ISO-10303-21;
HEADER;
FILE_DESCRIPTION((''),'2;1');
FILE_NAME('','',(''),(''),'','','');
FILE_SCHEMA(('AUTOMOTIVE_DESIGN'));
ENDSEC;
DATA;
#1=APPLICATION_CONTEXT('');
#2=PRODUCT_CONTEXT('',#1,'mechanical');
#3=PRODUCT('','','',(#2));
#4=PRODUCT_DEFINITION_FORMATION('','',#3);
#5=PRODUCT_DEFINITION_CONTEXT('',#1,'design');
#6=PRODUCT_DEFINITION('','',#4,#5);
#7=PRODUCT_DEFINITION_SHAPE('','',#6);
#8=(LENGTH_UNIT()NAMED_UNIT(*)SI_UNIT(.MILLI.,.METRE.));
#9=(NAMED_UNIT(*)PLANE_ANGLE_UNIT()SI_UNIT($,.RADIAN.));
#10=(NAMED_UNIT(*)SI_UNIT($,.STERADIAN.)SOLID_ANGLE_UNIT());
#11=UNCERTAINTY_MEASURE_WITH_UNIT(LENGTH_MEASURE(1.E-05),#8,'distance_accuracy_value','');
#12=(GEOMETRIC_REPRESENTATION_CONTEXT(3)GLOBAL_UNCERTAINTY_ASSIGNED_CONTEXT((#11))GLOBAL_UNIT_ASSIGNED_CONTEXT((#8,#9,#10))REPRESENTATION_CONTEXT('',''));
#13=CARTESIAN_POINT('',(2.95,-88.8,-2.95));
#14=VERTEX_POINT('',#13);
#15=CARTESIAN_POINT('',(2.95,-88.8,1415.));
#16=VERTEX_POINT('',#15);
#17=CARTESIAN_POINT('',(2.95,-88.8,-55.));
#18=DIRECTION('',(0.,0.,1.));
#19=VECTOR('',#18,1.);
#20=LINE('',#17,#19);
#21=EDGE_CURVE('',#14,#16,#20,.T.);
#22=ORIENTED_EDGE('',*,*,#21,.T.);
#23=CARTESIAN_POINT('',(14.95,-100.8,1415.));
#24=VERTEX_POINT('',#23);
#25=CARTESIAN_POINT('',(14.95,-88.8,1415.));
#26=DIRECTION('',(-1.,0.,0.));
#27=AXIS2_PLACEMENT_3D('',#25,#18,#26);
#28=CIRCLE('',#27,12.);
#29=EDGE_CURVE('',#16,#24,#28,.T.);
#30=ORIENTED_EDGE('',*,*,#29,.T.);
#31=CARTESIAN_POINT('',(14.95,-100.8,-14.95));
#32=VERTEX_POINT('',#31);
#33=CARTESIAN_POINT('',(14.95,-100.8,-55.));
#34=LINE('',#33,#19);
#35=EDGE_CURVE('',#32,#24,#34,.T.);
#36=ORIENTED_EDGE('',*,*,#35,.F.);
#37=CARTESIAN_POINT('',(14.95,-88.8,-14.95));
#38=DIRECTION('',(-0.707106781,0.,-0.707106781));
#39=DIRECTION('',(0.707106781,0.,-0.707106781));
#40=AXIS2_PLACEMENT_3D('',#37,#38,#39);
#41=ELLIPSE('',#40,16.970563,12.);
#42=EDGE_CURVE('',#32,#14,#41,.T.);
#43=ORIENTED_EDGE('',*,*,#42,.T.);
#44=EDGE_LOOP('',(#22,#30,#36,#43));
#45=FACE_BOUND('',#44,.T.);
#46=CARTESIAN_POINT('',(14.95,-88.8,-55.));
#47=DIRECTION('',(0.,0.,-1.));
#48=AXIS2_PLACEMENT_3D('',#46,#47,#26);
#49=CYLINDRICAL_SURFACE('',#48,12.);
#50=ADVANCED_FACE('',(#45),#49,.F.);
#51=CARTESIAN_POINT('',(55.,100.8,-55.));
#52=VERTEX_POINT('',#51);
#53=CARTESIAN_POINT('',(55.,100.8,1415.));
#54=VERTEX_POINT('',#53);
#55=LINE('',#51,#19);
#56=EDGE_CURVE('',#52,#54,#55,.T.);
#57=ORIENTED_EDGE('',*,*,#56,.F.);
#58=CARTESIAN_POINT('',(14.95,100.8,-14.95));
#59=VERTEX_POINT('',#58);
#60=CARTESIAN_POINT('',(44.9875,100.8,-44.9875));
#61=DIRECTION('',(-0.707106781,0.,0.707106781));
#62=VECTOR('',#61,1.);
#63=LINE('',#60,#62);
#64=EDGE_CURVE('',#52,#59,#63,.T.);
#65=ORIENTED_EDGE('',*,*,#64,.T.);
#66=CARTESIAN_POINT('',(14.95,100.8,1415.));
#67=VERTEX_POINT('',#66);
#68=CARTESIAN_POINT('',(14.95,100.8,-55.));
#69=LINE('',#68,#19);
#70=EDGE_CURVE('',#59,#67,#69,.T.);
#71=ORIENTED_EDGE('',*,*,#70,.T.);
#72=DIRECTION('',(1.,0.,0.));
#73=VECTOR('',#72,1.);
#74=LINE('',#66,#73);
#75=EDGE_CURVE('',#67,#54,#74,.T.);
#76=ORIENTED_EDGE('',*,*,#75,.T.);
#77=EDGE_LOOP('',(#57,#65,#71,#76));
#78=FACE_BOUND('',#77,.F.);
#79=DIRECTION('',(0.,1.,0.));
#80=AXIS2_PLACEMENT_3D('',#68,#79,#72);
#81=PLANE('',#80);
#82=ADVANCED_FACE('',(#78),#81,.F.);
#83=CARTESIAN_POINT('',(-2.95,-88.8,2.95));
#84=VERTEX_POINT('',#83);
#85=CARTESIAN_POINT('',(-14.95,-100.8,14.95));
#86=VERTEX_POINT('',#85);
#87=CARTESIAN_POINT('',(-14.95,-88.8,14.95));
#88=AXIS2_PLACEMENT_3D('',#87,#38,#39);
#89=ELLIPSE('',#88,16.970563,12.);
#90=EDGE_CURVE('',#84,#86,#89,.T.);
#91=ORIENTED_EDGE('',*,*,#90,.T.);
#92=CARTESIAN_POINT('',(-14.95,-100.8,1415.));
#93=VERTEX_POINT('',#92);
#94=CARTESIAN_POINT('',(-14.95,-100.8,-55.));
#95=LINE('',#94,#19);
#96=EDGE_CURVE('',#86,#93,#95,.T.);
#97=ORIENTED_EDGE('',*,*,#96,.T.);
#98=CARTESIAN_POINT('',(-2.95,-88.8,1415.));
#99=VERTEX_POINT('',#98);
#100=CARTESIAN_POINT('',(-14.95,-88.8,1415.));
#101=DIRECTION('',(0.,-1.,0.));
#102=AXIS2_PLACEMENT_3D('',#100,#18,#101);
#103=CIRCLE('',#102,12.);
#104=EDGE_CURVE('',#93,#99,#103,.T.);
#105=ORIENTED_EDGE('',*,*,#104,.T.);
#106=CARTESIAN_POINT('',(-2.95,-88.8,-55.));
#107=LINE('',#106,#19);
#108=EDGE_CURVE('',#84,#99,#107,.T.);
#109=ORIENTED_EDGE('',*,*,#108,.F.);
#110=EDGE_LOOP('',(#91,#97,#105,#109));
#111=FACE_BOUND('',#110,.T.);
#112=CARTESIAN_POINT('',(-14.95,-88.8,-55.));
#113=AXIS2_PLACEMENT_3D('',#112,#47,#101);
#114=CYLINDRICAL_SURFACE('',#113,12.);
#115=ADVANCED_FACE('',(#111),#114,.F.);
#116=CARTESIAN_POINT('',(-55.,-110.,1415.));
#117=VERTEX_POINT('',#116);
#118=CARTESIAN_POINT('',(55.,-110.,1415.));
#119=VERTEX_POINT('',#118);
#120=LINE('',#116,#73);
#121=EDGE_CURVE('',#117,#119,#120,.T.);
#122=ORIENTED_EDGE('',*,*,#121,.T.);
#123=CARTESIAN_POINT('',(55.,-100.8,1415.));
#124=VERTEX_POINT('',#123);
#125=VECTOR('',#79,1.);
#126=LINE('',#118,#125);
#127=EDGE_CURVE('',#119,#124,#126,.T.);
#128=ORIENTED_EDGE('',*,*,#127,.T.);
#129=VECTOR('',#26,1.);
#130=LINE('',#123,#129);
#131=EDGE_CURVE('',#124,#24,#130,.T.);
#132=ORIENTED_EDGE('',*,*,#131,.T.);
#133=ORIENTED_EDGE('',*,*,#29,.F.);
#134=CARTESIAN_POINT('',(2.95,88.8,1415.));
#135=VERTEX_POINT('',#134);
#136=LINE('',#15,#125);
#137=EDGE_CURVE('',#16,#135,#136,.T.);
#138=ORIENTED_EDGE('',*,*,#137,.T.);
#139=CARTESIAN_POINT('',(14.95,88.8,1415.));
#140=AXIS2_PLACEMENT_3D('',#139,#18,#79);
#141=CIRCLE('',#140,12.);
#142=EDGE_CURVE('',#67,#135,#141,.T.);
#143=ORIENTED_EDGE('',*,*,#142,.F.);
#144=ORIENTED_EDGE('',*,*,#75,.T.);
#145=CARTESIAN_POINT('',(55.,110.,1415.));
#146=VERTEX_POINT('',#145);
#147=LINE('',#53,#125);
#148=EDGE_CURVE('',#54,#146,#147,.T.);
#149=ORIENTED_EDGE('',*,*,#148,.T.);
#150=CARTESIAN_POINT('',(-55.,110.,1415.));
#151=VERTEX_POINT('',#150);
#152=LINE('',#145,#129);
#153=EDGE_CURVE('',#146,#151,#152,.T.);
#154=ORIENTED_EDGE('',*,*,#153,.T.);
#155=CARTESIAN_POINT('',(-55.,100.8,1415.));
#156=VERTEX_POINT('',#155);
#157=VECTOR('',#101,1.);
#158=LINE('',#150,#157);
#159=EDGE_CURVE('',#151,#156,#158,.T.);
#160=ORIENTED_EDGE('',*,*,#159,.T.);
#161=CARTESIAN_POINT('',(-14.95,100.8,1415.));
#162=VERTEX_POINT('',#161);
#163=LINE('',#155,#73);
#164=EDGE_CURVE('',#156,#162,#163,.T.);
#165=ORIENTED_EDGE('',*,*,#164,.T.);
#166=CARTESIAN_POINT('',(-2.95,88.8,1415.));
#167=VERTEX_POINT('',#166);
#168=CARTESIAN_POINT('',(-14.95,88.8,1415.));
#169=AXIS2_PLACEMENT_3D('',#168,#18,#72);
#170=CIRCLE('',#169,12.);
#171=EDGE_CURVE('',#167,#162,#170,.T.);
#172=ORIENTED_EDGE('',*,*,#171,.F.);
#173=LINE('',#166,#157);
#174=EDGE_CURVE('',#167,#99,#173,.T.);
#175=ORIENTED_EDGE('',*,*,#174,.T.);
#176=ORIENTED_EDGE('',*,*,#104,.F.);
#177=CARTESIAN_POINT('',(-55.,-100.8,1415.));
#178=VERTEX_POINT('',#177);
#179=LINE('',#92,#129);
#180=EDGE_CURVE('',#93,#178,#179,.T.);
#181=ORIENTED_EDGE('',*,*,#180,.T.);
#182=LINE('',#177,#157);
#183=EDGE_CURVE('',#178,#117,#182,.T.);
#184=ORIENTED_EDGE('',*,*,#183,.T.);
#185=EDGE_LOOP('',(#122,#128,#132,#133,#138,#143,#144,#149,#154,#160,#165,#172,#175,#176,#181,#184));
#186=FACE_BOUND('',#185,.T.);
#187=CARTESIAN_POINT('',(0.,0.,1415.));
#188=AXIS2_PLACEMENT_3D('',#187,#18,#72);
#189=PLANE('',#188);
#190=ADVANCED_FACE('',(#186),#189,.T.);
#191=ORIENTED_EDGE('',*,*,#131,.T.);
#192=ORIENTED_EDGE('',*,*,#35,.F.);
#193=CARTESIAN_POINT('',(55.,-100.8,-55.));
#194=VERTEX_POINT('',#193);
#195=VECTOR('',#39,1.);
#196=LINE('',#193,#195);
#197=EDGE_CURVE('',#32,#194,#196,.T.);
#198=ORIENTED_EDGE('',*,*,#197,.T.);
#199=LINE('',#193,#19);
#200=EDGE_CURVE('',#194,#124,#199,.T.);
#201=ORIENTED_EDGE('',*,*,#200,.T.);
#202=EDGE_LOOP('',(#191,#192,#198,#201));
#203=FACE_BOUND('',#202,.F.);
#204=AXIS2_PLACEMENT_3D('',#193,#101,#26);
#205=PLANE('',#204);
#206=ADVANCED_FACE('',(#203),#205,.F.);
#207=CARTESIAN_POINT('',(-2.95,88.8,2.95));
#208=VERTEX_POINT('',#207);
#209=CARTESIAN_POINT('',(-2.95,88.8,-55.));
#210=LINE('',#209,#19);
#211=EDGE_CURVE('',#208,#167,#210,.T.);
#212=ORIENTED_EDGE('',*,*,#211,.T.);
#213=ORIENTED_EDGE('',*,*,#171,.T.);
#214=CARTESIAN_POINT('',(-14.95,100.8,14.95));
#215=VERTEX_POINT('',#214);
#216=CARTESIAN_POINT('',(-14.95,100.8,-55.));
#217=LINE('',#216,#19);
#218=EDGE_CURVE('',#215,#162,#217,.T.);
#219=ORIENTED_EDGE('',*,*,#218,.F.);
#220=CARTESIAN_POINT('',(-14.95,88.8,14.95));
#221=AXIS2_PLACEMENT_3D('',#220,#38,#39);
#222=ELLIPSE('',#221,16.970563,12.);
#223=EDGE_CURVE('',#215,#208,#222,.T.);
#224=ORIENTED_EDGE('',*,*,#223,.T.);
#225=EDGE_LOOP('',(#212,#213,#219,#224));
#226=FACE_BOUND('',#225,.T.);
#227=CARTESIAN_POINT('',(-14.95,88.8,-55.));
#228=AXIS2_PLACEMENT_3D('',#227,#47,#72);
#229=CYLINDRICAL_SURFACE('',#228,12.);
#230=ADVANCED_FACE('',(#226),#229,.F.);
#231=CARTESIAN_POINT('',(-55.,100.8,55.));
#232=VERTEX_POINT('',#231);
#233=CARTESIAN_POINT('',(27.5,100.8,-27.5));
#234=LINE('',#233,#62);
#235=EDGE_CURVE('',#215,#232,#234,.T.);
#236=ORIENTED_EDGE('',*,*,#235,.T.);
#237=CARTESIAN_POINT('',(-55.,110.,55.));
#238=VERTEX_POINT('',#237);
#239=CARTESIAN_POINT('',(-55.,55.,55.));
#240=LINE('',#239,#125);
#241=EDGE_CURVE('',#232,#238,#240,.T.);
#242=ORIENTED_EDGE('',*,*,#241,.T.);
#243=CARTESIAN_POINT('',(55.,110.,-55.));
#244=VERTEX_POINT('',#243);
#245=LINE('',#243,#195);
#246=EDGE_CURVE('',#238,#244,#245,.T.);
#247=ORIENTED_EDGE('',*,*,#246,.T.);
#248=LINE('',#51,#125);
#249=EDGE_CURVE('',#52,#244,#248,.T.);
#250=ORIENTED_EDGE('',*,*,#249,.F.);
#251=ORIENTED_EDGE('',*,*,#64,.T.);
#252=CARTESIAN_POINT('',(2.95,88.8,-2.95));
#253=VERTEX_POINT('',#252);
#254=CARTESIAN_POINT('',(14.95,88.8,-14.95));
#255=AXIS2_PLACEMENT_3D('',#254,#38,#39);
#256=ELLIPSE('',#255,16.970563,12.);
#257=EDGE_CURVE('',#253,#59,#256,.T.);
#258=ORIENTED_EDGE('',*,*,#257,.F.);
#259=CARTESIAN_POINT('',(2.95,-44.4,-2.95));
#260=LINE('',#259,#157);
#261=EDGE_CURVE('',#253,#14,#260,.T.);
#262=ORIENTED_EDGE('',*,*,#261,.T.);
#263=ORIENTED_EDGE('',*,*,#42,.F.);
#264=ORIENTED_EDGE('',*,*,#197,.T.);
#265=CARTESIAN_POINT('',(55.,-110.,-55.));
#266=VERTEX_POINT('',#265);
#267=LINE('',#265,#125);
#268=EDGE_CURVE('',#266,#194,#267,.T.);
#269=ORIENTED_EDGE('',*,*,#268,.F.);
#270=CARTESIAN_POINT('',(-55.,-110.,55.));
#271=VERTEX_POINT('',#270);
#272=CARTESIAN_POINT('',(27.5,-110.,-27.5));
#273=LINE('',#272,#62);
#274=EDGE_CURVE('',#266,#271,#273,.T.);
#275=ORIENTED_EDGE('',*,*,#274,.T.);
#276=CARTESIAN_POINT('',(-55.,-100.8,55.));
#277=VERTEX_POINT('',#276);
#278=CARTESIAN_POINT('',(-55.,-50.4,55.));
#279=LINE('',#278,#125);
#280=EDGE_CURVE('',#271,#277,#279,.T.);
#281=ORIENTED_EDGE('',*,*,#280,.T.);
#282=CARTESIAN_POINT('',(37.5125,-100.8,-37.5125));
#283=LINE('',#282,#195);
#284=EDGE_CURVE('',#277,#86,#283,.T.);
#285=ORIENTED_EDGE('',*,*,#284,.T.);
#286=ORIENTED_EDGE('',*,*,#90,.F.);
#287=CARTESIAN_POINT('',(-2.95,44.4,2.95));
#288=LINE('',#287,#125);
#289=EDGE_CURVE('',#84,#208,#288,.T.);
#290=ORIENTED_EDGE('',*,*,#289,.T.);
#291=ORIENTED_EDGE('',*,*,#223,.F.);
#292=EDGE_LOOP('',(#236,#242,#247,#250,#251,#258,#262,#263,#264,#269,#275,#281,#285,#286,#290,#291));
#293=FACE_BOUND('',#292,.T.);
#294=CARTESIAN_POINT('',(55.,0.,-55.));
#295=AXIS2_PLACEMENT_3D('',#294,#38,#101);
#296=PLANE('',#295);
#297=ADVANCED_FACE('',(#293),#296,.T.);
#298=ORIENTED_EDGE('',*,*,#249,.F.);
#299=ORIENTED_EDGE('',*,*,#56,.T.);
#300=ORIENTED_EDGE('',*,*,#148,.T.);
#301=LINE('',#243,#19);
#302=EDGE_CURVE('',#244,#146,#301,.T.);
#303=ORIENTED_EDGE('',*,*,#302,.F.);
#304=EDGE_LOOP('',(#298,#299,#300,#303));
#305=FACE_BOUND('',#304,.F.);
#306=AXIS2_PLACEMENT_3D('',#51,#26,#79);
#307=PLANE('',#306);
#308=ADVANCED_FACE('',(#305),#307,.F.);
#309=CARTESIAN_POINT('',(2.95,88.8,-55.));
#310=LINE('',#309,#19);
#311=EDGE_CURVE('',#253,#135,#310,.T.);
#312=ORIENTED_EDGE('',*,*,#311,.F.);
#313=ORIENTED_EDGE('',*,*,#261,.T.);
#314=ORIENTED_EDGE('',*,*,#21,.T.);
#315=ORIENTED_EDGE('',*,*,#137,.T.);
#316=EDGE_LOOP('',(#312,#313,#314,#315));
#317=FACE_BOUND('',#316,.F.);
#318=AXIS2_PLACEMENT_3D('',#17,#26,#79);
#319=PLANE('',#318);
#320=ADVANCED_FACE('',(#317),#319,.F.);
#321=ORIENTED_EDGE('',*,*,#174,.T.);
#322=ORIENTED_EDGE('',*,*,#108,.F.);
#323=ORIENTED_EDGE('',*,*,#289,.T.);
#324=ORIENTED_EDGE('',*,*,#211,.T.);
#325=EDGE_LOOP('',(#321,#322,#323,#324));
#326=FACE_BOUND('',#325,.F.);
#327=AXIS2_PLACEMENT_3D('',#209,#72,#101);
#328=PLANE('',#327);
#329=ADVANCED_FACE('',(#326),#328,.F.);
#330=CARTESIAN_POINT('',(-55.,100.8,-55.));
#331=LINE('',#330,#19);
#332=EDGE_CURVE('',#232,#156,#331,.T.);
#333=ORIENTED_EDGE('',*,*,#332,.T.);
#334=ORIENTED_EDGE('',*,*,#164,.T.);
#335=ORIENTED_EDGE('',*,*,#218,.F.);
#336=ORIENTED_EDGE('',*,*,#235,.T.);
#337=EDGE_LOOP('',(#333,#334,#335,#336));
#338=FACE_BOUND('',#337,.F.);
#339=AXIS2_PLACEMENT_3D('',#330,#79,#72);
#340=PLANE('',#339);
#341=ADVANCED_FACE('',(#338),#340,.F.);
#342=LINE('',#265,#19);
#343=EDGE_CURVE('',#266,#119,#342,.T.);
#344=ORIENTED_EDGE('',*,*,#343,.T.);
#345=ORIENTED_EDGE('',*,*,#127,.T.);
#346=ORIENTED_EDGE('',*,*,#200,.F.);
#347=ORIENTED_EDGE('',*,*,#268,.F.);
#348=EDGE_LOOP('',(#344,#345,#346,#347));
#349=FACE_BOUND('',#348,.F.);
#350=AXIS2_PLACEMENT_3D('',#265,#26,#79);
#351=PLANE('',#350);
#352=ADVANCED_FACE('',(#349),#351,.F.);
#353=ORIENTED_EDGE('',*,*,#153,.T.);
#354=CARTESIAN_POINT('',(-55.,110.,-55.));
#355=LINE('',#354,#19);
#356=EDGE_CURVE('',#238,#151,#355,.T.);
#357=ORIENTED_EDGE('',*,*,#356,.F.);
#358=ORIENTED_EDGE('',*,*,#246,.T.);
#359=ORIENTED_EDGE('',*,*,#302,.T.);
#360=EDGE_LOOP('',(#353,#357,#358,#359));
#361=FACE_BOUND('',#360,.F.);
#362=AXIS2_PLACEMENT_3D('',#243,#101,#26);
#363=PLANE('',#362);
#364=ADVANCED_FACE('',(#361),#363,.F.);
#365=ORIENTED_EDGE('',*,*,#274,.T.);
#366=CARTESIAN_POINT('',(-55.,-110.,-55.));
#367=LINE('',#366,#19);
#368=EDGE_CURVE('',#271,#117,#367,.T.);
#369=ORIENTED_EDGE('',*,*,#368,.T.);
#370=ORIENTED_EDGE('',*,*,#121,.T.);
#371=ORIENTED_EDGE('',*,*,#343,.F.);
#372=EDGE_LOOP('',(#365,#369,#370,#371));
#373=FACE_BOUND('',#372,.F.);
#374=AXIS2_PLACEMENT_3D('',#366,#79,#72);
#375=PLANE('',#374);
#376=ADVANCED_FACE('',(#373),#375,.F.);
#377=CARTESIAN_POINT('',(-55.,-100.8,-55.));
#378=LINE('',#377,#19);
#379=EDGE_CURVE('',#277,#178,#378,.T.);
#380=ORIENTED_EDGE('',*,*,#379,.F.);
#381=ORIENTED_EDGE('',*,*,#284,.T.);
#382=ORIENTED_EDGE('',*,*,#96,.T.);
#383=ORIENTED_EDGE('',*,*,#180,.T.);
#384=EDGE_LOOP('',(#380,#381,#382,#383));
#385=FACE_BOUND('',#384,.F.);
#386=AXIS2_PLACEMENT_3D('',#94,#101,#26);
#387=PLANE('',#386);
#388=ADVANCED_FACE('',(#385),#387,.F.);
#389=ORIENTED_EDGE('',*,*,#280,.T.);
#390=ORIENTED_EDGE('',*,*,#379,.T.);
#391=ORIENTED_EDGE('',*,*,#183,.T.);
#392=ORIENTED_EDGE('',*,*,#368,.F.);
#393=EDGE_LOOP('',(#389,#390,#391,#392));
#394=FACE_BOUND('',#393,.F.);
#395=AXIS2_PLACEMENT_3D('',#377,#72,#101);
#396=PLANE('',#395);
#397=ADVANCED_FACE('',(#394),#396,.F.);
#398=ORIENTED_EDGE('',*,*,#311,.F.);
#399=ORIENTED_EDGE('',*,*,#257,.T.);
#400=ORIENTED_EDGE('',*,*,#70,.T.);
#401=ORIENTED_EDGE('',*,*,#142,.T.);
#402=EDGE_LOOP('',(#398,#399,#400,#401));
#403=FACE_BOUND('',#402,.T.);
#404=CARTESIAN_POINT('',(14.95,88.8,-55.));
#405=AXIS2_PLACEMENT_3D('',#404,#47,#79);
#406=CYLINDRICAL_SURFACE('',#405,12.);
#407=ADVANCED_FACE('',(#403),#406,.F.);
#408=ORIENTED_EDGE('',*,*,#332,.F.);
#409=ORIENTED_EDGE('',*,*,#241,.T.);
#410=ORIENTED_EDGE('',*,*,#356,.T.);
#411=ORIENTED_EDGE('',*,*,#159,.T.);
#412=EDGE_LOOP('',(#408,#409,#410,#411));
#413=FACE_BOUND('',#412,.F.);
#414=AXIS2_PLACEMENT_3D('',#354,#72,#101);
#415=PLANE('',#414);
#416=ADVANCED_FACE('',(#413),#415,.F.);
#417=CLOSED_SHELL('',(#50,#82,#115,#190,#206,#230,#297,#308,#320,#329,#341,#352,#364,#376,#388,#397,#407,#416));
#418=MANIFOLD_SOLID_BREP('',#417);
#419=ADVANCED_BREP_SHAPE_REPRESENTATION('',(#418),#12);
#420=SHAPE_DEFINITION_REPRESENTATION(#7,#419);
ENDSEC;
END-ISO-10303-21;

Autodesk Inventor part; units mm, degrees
ref_plane "Start plane" through (0, 0, -55) normal (0, 0, 1) x (1, 0, 0)
ref_plane "End plane" through (0, 0, 1415) normal (0, 0, 1) x (1, 0, 0)
sketch "Sketch2" plane through (0, 0, 0) normal (0, 0, 1) x (1, 0, 0)
  line L0 (-55, 100.8) -> (-14.95, 100.8)
  line L1 (-55, 110) -> (-55, 100.8)
  line L2 (55, 110) -> (-55, 110)
  line L3 (55, 100.8) -> (55, 110)
  line L4 (14.95, 100.8) -> (55, 100.8)
  line L5 (2.95, -88.8) -> (2.95, 88.8)
  line L6 (55, -100.8) -> (14.95, -100.8)
  line L7 (55, -110) -> (55, -100.8)
  line L8 (-55, -100.8) -> (-55, -110)
  line L9 (-14.95, -100.8) -> (-55, -100.8)
  line L10 (-2.95, 88.8) -> (-2.95, -88.8)
  line L11 (0, -154) -> (0, 154) construction
  line L12 (-2.95, -100.8) -> (2.95, -100.8) construction
  arc A0 (-14.95, -100.8) -> (-2.95, -88.8) centre (-14.95, -88.8) ccw
  arc A1 (-2.95, 88.8) -> (-14.95, 100.8) centre (-14.95, 88.8) ccw
  arc A2 (14.95, 100.8) -> (2.95, 88.8) centre (14.95, 88.8) ccw
  arc A3 (2.95, -88.8) -> (14.95, -100.8) centre (14.95, -88.8) ccw
  line L13 (-77, 0) -> (77, 0) construction
  line L14 (-55, -110) -> (55, -110)
  point P0 (-2.95, 100.8)
  point P1 (2.95, 100.8)
  point P2 (0, 0)
  point P3 (0, -100.8)
  point P4 (0, 0)
  dimension "d1" = 220
  dimension "d3" = 9.2
  dimension "d5" = 5.9
  dimension "d7" = 110
  dimension "d13" = 12
  dimension "d14" = 110
  dimension "d15" = 55
extrude "Body" add sketch "Sketch2" along normal up to surface (1470 mm away) from surface at -55
sketch "Sketch3" plane through (0, 0, 0) normal (0, 0, 1) x (1, 0, 0)
  line L0 (0, 0) -> (10, 0)
ref_plane "Work Plane3" through (0, 0, 0) normal (0, -1, 0) x (1, 0, 0)
ref_plane "Work Plane4" through (55, 0, -55) normal (-0.7071, 0, -0.7071) x (-0.7071, 0, 0.7071)
split "Split1" plane through (55, 0, -55) removes the side toward (-0.7071, 0, -0.7071)
ref_plane "Work Plane5" through (0, 0, 1415) normal (0, 0, 1) x (1, 0, 0)
split "Split2" plane through (0, 0, 1415) removes the side toward (0, 0, 1)
sketch "Sketch4" plane through (0, 0, 0) normal (0, -1, 0) x (1, 0, 0)
  line L0 (-2, -55) -> (12, -55) projected
  line L1 (-2, 1415) -> (12, 1415) projected
  dimension "d19" = 1470
equation "\"d1\" = ParH"
equation "\"d3\" = t2"
equation "\"d5\" = t1"
equation "\"d7\" = b"
equation "\"d13\" = R1"
equation "\"d14\" = 0.5 * d1"
equation "\"d15\" = 0.5 * d7"
equation "\"d8\" = G_L"
equation "\"b\" = 110"
equation "\"ParH\" = 220"
equation "\"R1\" = 12"
equation "\"G_L\" = d19"
equation "\"t1\" = 5.9"
equation "\"t2\" = 9.2"
equation "\"G_OFFSET_START\" = 55"
equation "\"G_OFFSET_END\" = -85"
equation "\"d16\" = -G_OFFSET_START"
equation "\"d17\" = G_OFFSET_END + B_L"
equation "\"B_L\" = 1500"
properties part number "DIN 1025 - IPE 220-1470" material "Steel, Mild"
